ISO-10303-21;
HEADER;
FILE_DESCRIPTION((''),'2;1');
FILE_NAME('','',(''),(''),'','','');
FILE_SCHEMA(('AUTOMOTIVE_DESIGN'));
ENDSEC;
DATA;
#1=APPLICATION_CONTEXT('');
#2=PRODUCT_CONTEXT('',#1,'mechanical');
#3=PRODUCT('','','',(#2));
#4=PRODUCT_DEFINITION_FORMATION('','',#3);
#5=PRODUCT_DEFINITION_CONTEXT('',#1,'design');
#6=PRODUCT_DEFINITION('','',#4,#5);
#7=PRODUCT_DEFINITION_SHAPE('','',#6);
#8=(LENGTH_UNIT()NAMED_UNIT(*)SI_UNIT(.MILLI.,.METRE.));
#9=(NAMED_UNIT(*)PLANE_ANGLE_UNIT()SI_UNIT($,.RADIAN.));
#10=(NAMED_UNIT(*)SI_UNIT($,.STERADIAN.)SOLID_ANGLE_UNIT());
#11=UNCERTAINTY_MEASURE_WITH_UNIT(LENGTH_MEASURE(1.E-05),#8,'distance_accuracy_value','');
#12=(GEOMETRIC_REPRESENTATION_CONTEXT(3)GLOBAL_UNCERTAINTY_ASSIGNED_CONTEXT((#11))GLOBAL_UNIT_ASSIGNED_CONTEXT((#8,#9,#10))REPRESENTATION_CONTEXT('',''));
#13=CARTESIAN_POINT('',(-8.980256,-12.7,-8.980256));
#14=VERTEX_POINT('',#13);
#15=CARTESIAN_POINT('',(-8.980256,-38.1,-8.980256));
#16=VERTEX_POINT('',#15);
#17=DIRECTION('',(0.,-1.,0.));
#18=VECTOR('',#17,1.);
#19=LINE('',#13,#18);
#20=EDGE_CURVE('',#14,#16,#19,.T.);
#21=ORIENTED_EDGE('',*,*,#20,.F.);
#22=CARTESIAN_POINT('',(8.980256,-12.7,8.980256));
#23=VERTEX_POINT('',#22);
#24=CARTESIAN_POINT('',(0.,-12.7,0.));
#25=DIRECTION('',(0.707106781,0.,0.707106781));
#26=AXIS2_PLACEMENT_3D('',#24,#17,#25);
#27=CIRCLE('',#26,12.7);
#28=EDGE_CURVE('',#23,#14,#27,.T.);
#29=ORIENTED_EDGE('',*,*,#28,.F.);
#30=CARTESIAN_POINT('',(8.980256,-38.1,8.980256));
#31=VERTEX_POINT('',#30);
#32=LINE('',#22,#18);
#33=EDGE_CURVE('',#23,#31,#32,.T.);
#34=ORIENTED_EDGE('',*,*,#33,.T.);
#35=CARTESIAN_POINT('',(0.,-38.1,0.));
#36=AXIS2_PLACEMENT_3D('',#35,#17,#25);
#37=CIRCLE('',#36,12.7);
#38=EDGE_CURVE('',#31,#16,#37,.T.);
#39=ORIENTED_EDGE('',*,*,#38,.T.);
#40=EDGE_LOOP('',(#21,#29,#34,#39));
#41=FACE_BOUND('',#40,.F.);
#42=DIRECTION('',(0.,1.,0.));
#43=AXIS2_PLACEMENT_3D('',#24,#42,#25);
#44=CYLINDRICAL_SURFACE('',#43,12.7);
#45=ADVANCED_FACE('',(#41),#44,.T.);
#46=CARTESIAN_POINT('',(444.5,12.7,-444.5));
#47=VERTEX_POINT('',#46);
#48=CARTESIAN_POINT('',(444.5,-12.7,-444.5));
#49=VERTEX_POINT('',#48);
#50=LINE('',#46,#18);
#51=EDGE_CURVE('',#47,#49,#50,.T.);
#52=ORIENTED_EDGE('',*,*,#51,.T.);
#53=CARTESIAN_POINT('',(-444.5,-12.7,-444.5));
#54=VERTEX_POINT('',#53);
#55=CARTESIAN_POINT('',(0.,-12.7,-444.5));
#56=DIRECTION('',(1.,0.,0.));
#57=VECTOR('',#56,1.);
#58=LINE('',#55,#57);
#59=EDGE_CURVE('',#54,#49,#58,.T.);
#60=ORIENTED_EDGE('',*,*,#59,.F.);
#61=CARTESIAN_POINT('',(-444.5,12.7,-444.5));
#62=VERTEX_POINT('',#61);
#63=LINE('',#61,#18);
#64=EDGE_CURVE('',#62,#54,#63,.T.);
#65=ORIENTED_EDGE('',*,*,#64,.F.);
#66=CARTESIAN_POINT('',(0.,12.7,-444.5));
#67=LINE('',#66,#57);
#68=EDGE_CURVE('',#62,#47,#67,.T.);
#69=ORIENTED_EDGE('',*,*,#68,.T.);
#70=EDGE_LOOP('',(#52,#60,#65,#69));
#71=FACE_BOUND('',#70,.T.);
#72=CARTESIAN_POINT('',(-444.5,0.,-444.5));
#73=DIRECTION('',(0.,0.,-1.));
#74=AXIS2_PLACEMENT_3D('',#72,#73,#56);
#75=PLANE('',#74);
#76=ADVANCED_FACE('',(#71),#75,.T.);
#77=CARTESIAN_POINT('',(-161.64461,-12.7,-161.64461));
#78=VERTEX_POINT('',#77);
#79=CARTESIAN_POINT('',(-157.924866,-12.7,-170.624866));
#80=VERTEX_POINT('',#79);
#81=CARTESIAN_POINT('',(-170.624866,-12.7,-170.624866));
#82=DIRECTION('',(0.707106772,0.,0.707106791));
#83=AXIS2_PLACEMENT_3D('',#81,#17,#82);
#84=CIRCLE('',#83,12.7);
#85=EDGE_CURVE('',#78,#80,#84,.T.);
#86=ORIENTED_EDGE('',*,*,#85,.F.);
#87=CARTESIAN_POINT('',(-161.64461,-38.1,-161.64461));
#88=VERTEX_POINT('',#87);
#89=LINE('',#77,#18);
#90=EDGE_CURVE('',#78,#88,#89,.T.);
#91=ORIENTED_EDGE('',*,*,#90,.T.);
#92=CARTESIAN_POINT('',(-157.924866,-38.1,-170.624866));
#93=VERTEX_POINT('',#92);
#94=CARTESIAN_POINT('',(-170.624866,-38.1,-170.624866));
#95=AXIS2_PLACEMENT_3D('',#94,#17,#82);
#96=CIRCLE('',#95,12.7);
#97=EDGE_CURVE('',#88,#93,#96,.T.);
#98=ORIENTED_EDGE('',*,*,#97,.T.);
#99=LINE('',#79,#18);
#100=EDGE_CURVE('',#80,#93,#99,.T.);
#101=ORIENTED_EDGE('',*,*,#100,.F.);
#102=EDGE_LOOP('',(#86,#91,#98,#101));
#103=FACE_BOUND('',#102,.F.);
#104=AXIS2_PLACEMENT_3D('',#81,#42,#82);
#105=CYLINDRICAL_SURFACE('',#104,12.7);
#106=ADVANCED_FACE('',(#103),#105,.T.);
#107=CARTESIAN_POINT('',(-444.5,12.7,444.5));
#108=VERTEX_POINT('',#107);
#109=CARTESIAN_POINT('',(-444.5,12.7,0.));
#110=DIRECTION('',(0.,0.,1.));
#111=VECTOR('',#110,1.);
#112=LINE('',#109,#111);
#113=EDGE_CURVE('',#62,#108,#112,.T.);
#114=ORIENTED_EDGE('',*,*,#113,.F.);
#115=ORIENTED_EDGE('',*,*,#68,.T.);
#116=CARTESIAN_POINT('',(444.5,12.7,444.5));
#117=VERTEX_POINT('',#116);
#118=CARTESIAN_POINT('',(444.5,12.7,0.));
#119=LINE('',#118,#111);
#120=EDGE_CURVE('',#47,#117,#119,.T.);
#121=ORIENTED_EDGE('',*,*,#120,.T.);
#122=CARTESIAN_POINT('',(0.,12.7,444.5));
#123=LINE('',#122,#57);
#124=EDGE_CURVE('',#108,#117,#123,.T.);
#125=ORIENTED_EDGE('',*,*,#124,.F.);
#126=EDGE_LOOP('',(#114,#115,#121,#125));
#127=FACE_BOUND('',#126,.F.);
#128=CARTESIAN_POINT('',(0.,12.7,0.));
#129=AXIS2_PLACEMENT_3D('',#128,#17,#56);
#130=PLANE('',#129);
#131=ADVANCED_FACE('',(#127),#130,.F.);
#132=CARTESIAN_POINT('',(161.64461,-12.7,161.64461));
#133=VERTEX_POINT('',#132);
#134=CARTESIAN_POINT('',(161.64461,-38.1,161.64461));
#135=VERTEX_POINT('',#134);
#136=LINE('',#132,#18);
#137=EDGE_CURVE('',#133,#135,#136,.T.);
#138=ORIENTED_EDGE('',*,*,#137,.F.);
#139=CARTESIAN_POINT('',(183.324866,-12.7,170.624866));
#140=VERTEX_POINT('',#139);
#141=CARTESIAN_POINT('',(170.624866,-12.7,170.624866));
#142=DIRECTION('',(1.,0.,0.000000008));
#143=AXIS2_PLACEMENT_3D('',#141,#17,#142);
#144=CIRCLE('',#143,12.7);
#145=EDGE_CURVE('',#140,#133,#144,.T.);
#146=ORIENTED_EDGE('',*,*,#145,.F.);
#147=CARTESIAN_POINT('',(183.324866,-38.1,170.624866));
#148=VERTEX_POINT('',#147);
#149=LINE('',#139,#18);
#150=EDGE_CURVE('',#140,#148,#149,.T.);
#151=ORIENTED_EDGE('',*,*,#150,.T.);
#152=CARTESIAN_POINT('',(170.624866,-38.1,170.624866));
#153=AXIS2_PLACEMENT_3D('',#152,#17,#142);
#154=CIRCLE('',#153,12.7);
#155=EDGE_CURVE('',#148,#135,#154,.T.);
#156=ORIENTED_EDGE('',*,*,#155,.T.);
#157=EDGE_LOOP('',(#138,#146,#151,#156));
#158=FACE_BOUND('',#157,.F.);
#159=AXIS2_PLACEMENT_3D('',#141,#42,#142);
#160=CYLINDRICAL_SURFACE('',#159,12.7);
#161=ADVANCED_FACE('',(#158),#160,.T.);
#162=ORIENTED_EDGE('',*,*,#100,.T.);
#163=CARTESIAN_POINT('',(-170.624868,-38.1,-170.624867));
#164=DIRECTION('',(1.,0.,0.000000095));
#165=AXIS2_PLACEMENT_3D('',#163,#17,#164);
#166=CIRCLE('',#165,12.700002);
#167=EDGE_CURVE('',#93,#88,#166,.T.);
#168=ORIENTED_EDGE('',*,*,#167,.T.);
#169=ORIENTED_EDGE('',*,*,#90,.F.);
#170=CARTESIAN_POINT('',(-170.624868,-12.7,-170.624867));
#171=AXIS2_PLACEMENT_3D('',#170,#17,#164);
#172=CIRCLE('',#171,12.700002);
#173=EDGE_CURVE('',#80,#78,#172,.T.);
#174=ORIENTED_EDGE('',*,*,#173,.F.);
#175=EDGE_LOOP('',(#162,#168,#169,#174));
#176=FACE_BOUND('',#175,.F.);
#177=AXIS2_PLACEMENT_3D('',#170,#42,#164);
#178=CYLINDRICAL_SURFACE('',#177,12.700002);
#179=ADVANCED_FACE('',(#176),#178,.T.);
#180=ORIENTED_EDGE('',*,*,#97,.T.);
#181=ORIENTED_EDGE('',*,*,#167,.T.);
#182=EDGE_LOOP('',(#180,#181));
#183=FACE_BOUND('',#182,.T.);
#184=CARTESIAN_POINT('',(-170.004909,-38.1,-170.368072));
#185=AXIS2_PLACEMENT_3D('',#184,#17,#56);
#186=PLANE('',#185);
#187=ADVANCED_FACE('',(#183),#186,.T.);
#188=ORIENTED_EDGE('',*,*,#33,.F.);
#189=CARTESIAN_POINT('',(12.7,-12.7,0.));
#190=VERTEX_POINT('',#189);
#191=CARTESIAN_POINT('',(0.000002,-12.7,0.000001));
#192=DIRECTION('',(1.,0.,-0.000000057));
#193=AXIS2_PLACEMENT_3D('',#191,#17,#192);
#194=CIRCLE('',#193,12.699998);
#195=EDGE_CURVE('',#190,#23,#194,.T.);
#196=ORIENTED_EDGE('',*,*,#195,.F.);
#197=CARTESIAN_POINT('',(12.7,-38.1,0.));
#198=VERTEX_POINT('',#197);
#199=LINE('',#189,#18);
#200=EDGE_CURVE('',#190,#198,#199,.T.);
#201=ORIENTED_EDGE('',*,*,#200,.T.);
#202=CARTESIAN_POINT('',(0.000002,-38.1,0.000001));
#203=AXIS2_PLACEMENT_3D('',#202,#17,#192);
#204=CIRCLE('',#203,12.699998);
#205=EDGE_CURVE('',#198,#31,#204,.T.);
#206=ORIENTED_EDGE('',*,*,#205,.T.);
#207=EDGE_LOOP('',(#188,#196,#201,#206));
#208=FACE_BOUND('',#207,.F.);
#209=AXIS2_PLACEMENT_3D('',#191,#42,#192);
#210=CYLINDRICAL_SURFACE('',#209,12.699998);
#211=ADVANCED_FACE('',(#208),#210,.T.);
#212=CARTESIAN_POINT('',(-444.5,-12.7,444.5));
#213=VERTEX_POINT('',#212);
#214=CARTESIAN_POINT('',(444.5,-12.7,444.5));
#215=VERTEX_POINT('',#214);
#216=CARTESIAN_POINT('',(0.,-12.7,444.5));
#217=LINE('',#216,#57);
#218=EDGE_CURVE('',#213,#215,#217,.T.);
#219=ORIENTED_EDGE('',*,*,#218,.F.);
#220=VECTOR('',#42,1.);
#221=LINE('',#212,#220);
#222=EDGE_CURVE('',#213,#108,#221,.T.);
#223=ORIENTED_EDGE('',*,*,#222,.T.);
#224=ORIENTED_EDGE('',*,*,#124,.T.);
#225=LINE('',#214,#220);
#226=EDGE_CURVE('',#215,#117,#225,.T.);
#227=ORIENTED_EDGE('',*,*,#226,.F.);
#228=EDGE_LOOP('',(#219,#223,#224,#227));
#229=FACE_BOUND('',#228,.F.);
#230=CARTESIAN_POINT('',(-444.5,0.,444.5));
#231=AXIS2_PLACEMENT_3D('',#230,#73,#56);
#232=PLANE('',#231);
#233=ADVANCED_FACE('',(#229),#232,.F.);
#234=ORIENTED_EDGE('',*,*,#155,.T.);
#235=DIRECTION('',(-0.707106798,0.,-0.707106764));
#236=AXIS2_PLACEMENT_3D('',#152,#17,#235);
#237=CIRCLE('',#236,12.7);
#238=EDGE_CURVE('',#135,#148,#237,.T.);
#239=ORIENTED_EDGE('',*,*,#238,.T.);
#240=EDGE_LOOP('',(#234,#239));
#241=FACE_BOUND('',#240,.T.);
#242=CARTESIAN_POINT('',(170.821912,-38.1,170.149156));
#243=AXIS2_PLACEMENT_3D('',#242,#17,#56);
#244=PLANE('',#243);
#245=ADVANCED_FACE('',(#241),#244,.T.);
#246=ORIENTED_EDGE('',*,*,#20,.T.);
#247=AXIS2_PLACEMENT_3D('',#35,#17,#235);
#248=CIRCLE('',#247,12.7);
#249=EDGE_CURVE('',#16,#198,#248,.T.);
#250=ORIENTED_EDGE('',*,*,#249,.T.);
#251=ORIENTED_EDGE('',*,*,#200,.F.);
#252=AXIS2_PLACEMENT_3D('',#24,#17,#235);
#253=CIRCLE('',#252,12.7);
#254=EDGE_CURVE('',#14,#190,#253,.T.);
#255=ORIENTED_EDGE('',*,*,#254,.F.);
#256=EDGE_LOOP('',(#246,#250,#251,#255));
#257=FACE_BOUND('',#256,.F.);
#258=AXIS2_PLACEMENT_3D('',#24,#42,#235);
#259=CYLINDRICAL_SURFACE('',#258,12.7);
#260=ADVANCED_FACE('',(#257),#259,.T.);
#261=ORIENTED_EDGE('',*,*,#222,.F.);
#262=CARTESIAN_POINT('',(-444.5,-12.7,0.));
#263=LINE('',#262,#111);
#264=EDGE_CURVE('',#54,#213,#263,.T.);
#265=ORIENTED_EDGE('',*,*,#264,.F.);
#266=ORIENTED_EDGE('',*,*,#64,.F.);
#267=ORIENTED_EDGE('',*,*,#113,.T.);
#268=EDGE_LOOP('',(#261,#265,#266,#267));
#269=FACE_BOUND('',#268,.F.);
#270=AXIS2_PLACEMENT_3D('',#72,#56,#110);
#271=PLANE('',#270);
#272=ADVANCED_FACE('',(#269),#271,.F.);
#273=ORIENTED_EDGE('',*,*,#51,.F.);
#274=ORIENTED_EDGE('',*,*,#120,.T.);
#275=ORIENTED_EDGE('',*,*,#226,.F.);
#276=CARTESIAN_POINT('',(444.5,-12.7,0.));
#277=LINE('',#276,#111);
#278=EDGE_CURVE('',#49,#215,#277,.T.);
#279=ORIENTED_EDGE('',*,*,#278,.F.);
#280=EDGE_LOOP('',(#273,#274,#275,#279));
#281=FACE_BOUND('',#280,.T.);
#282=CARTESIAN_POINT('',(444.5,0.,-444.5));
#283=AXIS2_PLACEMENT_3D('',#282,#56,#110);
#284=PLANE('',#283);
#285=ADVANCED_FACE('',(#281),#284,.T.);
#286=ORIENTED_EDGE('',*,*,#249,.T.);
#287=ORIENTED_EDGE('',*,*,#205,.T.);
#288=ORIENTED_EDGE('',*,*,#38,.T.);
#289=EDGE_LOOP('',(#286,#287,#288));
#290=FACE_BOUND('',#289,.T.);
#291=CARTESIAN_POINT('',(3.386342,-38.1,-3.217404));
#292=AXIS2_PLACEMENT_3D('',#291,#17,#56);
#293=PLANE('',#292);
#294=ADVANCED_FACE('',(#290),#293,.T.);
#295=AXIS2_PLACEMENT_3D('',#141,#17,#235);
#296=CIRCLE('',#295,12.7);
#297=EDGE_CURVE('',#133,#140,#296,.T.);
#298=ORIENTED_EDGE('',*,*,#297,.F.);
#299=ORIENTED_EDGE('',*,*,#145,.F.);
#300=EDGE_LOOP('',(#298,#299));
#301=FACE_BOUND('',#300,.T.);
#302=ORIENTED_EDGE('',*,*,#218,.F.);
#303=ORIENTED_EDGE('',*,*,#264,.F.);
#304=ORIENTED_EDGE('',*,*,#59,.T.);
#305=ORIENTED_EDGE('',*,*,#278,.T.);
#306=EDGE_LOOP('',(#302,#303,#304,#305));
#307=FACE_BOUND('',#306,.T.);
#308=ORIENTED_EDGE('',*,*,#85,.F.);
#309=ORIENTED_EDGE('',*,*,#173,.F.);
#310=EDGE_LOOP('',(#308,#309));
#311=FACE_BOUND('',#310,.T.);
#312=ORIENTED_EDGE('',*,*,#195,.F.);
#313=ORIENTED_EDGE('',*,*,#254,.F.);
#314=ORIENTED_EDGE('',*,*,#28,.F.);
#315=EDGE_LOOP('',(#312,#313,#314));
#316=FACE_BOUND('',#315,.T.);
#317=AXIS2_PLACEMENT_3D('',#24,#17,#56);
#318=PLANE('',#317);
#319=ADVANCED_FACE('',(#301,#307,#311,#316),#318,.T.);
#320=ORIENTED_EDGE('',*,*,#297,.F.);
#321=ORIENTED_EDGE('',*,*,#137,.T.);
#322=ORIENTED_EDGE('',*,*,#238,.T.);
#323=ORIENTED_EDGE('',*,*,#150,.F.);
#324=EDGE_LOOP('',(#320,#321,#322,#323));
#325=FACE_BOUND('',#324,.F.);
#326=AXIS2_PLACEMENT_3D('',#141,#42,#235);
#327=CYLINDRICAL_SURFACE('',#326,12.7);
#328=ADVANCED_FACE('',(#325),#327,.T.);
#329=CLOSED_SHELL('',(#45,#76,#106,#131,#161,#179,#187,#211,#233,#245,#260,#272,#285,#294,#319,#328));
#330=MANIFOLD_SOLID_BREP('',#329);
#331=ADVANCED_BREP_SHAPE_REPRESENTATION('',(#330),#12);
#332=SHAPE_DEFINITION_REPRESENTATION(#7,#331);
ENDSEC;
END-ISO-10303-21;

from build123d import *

# Parameters (mm, degrees)
F0_W     = 889
F0_H     = 889
F1_DEPTH = 12.7
F3_DEPTH = 25.4


with BuildPart() as f1:
    # F0 (on Front) → F1 (new body, symmetric)
    with BuildSketch(Plane.XZ):
        Rectangle(F0_W, F0_H)
    extrude(amount=F1_DEPTH, both=True)

    # F2 (on face) → F3 (join)
    with BuildSketch(Plane.XZ.offset(12.7)):
        with BuildLine():
            Line((8.980256, 8.980256), (0, 0))
            Line((0, 0), (-8.980256, -8.980256))
            ThreePointArc((-8.980256, -8.980256), (4.86008, -11.73327), (12.7, 0))
            ThreePointArc((12.7, 0), (11.73327, 4.86008), (8.980256, 8.980256))
        make_face()
        with BuildLine():
            Line((-8.980256, -8.980256), (0, 0))
            Line((0, 0), (8.980256, 8.980256))
            ThreePointArc((8.980256, 8.980256), (-8.980256, 8.980256), (-8.980256, -8.980256))
        make_face()
        with BuildLine():
            ThreePointArc((-157.924866, -170.624866), (-158.891596, -165.764787), (-161.64461, -161.64461))
            ThreePointArc((-161.64461, -161.64461), (-182.358136, -175.484946), (-157.924866, -170.624866))
        make_face()
        with BuildLine():
            ThreePointArc((183.324866, 170.624866), (165.764787, 182.358136), (161.64461, 161.64461))
            ThreePointArc((161.64461, 161.64461), (175.484946, 158.891596), (183.324866, 170.624866))
        make_face()
    extrude(amount=F3_DEPTH)


solid = f1.part
